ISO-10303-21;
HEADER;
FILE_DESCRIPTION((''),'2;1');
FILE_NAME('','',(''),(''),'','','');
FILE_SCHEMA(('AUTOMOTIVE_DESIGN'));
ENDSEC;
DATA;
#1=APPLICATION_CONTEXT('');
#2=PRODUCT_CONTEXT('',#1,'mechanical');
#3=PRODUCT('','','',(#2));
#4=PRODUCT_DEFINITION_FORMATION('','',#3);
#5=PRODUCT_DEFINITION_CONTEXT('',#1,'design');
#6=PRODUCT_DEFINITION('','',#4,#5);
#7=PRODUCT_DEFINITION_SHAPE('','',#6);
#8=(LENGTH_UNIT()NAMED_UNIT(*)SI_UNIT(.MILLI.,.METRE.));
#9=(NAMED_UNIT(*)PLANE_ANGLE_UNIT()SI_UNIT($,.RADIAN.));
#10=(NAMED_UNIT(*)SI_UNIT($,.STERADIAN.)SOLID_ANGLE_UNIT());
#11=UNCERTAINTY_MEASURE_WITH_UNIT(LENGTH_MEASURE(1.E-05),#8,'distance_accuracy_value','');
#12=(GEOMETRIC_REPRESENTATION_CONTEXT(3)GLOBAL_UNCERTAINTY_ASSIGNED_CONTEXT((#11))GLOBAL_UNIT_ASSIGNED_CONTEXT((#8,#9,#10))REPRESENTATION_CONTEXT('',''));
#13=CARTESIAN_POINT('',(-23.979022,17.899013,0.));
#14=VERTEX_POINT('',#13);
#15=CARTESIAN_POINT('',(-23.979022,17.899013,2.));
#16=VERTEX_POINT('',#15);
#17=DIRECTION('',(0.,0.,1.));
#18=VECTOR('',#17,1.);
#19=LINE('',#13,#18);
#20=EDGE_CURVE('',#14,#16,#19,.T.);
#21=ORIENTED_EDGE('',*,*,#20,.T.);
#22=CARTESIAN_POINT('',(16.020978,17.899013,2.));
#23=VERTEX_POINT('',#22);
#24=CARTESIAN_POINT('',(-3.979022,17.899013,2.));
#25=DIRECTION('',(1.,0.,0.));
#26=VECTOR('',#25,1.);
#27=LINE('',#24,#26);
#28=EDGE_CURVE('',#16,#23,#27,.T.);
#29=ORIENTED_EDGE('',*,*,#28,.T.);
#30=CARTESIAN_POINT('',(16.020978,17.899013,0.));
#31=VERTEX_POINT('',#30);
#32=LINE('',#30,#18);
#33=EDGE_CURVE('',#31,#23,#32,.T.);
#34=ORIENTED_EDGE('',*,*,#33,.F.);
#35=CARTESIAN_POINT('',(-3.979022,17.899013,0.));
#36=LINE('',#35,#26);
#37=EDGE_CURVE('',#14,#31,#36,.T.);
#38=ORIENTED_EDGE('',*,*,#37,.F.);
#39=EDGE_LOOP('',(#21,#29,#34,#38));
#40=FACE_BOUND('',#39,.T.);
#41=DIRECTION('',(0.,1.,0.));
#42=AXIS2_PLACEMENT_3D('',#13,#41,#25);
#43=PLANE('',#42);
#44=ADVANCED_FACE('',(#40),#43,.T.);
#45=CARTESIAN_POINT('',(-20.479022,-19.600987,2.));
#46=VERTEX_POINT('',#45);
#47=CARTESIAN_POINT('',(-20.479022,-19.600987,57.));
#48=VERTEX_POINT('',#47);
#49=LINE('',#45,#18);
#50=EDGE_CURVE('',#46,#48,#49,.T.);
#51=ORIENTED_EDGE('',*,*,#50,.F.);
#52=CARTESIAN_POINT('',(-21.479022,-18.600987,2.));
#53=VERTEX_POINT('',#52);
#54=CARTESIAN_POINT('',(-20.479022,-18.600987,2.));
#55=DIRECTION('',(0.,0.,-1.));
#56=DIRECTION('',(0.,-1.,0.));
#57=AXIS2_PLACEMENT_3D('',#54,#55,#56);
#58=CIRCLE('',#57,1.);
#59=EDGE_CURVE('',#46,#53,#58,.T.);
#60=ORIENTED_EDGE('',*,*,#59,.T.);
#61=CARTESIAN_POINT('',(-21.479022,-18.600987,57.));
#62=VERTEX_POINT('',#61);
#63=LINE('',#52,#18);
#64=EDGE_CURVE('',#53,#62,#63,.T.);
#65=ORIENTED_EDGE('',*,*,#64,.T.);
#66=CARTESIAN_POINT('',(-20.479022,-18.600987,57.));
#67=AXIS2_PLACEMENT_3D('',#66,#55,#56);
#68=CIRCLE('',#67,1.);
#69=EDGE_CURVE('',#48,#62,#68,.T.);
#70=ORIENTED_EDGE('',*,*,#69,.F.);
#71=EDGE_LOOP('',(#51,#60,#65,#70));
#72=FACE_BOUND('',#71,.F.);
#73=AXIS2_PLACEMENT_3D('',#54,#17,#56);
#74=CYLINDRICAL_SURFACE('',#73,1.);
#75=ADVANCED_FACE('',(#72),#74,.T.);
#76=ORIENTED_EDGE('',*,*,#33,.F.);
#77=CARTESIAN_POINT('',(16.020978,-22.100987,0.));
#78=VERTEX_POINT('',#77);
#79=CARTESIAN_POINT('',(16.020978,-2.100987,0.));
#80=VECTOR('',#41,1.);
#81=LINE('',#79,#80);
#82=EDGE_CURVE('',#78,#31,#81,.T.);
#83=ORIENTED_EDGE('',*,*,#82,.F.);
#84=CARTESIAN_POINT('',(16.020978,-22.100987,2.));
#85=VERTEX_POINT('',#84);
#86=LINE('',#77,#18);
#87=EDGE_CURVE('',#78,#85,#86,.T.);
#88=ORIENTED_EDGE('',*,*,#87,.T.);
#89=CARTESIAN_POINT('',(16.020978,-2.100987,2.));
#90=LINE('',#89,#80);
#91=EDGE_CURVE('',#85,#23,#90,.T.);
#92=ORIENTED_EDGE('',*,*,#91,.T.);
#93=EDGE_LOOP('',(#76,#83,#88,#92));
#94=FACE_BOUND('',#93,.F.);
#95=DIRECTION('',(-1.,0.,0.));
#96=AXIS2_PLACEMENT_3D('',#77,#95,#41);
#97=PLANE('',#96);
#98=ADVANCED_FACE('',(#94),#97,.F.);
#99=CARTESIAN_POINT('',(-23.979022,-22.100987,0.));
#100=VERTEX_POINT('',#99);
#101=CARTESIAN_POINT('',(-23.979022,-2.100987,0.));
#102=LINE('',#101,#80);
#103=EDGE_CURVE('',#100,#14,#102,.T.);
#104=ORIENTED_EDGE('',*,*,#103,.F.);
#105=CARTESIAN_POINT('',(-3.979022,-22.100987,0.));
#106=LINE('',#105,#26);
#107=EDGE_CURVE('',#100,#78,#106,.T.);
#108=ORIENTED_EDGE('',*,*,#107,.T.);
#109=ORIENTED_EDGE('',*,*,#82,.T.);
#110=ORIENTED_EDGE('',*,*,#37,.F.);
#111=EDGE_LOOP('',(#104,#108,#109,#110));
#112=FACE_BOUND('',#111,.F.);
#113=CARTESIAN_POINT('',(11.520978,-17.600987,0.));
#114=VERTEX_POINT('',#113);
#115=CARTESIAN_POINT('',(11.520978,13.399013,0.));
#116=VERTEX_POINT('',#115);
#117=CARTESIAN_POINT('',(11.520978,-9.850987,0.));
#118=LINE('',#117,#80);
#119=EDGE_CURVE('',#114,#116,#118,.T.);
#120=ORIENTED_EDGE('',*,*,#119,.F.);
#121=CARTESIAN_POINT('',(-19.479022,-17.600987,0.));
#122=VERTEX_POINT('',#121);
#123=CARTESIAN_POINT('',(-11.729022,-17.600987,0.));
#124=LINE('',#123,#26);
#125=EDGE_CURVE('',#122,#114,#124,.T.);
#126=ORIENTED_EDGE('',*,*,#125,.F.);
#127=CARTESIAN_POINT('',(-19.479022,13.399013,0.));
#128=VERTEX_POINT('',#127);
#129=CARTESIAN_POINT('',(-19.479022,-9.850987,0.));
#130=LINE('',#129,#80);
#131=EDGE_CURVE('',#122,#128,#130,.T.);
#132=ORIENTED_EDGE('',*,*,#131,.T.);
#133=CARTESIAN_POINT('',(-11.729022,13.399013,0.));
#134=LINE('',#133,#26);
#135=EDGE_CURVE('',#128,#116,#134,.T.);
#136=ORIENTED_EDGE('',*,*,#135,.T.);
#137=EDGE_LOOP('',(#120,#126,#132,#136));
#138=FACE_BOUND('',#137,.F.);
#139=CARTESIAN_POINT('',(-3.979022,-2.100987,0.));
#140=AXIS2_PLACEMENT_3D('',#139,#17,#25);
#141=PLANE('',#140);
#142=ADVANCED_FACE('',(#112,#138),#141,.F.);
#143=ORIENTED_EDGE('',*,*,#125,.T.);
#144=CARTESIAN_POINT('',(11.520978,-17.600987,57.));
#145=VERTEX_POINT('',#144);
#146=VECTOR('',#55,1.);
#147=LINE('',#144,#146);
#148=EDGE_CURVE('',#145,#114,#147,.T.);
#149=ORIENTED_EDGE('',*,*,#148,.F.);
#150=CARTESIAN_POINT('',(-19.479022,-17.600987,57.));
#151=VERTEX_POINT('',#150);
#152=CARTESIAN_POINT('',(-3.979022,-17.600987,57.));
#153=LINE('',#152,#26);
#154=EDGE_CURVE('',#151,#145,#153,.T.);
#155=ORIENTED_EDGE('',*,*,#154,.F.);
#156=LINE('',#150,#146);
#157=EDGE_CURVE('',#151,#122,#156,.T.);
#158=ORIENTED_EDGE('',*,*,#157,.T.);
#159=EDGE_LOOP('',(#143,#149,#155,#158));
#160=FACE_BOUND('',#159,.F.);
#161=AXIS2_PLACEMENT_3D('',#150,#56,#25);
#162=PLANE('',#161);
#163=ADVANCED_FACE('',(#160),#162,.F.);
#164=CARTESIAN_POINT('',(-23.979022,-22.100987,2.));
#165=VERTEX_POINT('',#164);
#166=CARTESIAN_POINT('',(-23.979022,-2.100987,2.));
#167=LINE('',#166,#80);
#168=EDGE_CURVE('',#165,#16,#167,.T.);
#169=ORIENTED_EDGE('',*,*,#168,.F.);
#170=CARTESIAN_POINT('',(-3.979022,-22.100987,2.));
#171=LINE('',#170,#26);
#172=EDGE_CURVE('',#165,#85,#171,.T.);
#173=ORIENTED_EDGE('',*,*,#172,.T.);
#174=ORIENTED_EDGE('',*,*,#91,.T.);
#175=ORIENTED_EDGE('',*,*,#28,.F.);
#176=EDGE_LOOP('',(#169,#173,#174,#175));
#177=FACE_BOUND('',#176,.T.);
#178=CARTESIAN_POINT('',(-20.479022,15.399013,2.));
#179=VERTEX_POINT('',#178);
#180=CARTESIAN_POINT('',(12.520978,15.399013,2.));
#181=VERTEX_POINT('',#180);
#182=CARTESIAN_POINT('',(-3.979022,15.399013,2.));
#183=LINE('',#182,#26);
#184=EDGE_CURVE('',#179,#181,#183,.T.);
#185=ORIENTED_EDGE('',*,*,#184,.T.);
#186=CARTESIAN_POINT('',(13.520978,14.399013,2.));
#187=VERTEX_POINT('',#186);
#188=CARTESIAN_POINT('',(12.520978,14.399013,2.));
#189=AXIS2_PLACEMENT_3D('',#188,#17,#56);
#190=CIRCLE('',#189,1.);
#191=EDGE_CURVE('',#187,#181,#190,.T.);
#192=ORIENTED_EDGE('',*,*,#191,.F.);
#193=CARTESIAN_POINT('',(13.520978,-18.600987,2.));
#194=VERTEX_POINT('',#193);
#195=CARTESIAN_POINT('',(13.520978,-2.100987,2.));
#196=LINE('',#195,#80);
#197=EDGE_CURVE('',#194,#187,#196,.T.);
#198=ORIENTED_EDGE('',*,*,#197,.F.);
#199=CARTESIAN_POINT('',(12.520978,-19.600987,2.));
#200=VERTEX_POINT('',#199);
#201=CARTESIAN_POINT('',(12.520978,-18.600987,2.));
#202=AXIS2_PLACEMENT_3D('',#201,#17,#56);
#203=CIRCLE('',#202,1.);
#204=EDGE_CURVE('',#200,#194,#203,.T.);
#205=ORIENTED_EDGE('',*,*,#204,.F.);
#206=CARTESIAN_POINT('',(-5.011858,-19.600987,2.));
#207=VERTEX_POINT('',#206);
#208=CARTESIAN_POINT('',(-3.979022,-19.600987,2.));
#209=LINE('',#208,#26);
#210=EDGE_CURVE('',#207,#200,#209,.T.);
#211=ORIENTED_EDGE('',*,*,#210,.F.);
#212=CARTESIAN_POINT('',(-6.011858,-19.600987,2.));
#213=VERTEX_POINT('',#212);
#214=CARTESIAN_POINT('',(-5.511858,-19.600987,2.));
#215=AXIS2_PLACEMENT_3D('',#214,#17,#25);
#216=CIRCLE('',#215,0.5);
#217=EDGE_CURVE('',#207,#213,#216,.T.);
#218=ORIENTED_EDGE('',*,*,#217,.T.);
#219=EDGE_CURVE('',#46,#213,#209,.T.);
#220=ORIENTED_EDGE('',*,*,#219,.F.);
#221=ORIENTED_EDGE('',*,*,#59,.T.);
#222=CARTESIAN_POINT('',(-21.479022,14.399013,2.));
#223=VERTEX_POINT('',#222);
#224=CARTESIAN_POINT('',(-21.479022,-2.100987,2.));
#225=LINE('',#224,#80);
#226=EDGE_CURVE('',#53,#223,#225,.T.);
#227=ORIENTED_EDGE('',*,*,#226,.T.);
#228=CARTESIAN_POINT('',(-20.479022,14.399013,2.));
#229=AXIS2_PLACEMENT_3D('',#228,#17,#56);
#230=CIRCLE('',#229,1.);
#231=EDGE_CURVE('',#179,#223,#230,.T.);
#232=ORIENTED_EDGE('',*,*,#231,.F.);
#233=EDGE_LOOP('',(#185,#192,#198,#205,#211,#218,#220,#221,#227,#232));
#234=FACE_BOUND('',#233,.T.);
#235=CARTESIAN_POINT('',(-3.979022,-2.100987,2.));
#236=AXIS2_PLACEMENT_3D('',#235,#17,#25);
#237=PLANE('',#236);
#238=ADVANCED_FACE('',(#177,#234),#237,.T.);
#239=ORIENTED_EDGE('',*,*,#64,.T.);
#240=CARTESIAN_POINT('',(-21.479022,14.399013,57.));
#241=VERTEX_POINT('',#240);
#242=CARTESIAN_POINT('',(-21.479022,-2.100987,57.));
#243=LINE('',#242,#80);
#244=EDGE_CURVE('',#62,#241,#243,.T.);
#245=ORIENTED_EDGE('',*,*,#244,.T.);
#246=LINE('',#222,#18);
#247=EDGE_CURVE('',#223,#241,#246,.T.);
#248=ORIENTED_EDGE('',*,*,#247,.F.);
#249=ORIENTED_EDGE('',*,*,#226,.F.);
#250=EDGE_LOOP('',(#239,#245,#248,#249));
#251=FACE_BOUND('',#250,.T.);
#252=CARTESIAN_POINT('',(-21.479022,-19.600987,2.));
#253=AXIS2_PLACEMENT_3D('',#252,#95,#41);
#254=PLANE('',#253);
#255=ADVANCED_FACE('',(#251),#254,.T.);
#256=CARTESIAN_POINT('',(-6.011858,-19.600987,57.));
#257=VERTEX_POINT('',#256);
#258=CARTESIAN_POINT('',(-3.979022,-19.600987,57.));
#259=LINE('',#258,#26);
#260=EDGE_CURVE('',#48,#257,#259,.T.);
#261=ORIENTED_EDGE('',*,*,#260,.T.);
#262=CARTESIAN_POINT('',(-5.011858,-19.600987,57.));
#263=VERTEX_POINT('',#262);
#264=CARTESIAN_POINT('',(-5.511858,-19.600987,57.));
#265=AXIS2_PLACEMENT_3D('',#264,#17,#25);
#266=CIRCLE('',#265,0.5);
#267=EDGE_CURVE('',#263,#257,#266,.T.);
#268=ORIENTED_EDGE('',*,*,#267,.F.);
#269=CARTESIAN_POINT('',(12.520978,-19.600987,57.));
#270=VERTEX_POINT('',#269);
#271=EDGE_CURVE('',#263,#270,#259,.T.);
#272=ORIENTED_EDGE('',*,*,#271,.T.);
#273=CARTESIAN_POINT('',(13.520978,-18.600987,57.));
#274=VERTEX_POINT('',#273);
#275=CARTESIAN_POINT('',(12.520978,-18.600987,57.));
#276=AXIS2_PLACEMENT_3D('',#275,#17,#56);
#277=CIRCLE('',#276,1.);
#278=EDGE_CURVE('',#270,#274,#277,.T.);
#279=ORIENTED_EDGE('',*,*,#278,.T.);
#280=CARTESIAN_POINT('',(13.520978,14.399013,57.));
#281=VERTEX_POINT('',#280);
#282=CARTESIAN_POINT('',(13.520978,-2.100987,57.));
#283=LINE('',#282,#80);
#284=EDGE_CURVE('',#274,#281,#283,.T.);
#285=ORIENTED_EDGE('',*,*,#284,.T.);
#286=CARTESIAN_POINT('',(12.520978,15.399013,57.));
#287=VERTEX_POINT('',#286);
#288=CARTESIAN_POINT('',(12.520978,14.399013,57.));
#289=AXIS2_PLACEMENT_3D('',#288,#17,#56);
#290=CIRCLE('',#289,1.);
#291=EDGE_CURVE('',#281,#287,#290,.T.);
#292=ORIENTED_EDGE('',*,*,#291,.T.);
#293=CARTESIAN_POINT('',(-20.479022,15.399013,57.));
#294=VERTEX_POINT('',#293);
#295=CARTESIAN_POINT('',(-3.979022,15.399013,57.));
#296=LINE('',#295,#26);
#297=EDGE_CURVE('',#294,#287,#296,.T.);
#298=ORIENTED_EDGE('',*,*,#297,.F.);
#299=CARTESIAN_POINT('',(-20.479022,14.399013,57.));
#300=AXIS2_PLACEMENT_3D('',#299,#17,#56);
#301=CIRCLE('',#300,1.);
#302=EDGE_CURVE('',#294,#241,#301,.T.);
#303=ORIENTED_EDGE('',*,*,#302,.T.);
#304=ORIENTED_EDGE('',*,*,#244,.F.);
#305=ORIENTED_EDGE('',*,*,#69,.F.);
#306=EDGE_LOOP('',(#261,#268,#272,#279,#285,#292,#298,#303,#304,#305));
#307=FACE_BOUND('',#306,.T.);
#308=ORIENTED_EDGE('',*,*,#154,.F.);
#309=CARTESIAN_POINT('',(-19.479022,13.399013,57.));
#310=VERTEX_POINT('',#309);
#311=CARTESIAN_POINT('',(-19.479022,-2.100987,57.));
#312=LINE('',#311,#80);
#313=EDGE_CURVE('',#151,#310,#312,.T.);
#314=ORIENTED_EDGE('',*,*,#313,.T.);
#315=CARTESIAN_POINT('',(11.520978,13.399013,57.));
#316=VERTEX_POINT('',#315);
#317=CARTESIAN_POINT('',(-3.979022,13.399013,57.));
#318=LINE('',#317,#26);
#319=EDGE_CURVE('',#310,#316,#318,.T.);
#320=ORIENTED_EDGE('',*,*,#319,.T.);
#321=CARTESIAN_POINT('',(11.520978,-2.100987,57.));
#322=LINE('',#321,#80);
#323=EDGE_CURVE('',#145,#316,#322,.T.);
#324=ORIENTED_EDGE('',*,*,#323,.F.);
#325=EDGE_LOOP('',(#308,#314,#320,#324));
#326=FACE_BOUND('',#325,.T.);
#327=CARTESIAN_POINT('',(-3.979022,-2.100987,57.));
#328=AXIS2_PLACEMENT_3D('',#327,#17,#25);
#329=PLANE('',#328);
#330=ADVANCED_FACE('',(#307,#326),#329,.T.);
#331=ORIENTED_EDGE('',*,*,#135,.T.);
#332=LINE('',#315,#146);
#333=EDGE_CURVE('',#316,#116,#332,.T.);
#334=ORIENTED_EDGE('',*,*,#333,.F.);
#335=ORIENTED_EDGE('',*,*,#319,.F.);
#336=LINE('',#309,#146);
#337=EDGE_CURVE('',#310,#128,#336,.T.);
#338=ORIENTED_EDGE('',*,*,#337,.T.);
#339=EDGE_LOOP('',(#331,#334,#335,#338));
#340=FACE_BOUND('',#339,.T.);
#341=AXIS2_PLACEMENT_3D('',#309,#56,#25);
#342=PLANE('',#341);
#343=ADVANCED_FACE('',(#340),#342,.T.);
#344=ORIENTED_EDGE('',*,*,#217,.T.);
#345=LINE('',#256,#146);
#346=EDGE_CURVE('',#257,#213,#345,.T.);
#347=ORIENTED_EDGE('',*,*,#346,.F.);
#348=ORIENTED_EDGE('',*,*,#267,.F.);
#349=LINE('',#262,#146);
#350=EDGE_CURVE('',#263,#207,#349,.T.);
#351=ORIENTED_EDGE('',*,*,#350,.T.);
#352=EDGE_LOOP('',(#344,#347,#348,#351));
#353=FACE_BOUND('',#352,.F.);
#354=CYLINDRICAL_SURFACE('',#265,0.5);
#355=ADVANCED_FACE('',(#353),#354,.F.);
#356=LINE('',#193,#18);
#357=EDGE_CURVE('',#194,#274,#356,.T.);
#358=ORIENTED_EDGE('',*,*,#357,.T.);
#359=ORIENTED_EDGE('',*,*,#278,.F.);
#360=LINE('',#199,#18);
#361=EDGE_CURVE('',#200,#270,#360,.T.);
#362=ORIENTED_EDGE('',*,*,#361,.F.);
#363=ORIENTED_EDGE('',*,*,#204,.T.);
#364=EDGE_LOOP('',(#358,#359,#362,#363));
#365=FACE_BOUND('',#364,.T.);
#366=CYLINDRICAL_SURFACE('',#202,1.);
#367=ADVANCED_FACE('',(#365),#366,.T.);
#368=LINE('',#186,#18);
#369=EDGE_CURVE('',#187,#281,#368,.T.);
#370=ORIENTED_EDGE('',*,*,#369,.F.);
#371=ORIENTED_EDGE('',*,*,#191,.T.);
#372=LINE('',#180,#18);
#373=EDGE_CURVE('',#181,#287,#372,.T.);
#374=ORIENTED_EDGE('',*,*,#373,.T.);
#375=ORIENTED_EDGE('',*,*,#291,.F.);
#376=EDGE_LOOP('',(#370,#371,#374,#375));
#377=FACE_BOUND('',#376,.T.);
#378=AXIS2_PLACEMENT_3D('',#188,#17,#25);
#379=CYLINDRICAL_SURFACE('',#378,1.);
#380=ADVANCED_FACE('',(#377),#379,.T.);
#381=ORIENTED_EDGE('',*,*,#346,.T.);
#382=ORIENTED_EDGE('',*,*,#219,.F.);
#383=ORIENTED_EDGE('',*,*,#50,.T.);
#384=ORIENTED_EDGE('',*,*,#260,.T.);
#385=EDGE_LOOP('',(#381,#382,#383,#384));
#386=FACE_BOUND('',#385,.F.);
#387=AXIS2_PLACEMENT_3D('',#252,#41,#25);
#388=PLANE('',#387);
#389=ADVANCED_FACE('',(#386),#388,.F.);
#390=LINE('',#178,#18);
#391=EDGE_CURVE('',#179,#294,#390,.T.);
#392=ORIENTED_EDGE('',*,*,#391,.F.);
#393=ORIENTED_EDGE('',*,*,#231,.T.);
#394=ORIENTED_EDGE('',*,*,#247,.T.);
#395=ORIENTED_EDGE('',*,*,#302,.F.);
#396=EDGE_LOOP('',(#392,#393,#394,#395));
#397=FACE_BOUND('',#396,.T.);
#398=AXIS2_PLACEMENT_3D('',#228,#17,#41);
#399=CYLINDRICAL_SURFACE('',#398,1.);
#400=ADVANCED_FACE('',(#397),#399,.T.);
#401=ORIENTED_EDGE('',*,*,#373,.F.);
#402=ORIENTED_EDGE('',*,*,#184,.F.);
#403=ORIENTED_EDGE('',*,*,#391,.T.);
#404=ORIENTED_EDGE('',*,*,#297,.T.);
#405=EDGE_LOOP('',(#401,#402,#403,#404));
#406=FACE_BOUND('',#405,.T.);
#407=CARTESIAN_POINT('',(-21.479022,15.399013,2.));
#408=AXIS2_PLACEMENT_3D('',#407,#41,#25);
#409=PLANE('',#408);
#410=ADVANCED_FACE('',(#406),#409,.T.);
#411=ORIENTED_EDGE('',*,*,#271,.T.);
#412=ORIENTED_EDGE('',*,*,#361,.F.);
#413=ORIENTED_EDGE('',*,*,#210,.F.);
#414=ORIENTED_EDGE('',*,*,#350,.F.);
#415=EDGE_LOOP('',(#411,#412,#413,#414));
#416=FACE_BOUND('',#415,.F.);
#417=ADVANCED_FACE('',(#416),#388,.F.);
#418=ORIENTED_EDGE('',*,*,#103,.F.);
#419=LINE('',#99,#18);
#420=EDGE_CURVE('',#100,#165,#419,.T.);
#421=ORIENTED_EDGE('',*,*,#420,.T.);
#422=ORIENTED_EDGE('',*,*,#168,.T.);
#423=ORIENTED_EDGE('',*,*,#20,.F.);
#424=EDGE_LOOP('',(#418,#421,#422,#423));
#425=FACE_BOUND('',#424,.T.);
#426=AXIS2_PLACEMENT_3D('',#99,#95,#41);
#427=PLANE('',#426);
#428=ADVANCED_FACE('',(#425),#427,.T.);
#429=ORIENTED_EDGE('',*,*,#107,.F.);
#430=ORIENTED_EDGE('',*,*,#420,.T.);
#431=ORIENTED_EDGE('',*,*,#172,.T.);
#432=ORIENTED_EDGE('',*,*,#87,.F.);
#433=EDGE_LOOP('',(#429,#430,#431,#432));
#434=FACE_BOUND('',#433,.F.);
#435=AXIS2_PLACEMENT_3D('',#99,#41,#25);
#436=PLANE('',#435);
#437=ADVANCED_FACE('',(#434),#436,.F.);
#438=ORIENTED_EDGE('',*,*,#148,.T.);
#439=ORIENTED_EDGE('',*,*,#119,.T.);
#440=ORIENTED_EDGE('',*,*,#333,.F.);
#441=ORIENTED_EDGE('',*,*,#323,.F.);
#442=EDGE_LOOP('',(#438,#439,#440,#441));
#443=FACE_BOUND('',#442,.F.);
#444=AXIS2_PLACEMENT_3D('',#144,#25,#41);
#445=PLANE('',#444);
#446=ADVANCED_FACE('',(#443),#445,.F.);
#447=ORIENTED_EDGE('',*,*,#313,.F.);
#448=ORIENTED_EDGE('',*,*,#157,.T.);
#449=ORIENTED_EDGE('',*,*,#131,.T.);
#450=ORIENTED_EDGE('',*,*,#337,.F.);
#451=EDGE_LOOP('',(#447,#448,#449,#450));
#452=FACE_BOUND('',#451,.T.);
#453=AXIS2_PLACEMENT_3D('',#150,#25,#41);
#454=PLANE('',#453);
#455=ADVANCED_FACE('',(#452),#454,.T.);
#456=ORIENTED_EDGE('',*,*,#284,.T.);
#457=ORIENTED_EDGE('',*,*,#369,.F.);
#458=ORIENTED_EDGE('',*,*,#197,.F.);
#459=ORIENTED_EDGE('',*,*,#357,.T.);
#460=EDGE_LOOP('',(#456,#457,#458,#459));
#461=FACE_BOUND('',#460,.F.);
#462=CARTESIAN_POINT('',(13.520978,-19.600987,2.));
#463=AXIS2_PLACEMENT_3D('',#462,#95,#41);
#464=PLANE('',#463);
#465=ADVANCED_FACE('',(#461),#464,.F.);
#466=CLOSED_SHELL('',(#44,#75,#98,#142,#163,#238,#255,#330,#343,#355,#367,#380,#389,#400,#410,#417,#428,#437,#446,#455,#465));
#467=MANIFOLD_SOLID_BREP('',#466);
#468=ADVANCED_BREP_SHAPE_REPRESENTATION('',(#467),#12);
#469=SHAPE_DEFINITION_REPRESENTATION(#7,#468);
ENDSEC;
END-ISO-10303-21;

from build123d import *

# Parameters (mm, degrees)
F0_W     = 40
F0_H     = 40
F1_DEPTH = 2
F2_W     = 35
F2_H     = 35
F3_DEPTH = 55
F4_W     = 31
F4_H     = 31
F5_DEPTH = 57.001
F6_R     = 1
F8_DEPTH = 55


with BuildPart() as f1:
    # F0 (on Top) → F1 (new body)
    with BuildSketch(Plane.XY):
        with Locations((-3.9790219205, -2.1009873599)):
            Rectangle(F0_W, F0_H)
    extrude(amount=F1_DEPTH)

    # F2 (on face) → F3 (join)
    with BuildSketch(Plane.XY.offset(2)):
        with Locations((-3.9790219205, -2.1009873599)):
            Rectangle(F2_W, F2_H)
    extrude(amount=F3_DEPTH)

    # F4 (on face) → F5 (cut, through all)
    with BuildSketch(Plane.XY.offset(57)):
        with Locations((-3.9790219205, -2.1009873599)):
            Rectangle(F4_W, F4_H)
    extrude(amount=-F5_DEPTH, mode=Mode.SUBTRACT)

    # F6
    f6_edges = [f1.edges().sort_by_distance(p)[0] for p in [
        (13.520978, -19.600987, 29.5),
        (13.520978, 15.399013, 29.5),
        (-21.479022, -19.600987, 29.5),
        (-21.479022, 15.399013, 29.5),
    ]]
    fillet(f6_edges, radius=F6_R)

    # F7 (on face) → F8 (cut, through all)
    with BuildSketch(Plane.XY.offset(57)):
        with BuildLine():
            Line((-6.0118580349, -19.6009873599), (-5.0118580349, -19.6009873599))
            ThreePointArc((-5.0118580349, -19.6009873599), (-5.5118580349, -19.1009873599), (-6.0118580349, -19.6009873599))
        make_face()
    extrude(amount=-F8_DEPTH, mode=Mode.SUBTRACT)


solid = f1.part
